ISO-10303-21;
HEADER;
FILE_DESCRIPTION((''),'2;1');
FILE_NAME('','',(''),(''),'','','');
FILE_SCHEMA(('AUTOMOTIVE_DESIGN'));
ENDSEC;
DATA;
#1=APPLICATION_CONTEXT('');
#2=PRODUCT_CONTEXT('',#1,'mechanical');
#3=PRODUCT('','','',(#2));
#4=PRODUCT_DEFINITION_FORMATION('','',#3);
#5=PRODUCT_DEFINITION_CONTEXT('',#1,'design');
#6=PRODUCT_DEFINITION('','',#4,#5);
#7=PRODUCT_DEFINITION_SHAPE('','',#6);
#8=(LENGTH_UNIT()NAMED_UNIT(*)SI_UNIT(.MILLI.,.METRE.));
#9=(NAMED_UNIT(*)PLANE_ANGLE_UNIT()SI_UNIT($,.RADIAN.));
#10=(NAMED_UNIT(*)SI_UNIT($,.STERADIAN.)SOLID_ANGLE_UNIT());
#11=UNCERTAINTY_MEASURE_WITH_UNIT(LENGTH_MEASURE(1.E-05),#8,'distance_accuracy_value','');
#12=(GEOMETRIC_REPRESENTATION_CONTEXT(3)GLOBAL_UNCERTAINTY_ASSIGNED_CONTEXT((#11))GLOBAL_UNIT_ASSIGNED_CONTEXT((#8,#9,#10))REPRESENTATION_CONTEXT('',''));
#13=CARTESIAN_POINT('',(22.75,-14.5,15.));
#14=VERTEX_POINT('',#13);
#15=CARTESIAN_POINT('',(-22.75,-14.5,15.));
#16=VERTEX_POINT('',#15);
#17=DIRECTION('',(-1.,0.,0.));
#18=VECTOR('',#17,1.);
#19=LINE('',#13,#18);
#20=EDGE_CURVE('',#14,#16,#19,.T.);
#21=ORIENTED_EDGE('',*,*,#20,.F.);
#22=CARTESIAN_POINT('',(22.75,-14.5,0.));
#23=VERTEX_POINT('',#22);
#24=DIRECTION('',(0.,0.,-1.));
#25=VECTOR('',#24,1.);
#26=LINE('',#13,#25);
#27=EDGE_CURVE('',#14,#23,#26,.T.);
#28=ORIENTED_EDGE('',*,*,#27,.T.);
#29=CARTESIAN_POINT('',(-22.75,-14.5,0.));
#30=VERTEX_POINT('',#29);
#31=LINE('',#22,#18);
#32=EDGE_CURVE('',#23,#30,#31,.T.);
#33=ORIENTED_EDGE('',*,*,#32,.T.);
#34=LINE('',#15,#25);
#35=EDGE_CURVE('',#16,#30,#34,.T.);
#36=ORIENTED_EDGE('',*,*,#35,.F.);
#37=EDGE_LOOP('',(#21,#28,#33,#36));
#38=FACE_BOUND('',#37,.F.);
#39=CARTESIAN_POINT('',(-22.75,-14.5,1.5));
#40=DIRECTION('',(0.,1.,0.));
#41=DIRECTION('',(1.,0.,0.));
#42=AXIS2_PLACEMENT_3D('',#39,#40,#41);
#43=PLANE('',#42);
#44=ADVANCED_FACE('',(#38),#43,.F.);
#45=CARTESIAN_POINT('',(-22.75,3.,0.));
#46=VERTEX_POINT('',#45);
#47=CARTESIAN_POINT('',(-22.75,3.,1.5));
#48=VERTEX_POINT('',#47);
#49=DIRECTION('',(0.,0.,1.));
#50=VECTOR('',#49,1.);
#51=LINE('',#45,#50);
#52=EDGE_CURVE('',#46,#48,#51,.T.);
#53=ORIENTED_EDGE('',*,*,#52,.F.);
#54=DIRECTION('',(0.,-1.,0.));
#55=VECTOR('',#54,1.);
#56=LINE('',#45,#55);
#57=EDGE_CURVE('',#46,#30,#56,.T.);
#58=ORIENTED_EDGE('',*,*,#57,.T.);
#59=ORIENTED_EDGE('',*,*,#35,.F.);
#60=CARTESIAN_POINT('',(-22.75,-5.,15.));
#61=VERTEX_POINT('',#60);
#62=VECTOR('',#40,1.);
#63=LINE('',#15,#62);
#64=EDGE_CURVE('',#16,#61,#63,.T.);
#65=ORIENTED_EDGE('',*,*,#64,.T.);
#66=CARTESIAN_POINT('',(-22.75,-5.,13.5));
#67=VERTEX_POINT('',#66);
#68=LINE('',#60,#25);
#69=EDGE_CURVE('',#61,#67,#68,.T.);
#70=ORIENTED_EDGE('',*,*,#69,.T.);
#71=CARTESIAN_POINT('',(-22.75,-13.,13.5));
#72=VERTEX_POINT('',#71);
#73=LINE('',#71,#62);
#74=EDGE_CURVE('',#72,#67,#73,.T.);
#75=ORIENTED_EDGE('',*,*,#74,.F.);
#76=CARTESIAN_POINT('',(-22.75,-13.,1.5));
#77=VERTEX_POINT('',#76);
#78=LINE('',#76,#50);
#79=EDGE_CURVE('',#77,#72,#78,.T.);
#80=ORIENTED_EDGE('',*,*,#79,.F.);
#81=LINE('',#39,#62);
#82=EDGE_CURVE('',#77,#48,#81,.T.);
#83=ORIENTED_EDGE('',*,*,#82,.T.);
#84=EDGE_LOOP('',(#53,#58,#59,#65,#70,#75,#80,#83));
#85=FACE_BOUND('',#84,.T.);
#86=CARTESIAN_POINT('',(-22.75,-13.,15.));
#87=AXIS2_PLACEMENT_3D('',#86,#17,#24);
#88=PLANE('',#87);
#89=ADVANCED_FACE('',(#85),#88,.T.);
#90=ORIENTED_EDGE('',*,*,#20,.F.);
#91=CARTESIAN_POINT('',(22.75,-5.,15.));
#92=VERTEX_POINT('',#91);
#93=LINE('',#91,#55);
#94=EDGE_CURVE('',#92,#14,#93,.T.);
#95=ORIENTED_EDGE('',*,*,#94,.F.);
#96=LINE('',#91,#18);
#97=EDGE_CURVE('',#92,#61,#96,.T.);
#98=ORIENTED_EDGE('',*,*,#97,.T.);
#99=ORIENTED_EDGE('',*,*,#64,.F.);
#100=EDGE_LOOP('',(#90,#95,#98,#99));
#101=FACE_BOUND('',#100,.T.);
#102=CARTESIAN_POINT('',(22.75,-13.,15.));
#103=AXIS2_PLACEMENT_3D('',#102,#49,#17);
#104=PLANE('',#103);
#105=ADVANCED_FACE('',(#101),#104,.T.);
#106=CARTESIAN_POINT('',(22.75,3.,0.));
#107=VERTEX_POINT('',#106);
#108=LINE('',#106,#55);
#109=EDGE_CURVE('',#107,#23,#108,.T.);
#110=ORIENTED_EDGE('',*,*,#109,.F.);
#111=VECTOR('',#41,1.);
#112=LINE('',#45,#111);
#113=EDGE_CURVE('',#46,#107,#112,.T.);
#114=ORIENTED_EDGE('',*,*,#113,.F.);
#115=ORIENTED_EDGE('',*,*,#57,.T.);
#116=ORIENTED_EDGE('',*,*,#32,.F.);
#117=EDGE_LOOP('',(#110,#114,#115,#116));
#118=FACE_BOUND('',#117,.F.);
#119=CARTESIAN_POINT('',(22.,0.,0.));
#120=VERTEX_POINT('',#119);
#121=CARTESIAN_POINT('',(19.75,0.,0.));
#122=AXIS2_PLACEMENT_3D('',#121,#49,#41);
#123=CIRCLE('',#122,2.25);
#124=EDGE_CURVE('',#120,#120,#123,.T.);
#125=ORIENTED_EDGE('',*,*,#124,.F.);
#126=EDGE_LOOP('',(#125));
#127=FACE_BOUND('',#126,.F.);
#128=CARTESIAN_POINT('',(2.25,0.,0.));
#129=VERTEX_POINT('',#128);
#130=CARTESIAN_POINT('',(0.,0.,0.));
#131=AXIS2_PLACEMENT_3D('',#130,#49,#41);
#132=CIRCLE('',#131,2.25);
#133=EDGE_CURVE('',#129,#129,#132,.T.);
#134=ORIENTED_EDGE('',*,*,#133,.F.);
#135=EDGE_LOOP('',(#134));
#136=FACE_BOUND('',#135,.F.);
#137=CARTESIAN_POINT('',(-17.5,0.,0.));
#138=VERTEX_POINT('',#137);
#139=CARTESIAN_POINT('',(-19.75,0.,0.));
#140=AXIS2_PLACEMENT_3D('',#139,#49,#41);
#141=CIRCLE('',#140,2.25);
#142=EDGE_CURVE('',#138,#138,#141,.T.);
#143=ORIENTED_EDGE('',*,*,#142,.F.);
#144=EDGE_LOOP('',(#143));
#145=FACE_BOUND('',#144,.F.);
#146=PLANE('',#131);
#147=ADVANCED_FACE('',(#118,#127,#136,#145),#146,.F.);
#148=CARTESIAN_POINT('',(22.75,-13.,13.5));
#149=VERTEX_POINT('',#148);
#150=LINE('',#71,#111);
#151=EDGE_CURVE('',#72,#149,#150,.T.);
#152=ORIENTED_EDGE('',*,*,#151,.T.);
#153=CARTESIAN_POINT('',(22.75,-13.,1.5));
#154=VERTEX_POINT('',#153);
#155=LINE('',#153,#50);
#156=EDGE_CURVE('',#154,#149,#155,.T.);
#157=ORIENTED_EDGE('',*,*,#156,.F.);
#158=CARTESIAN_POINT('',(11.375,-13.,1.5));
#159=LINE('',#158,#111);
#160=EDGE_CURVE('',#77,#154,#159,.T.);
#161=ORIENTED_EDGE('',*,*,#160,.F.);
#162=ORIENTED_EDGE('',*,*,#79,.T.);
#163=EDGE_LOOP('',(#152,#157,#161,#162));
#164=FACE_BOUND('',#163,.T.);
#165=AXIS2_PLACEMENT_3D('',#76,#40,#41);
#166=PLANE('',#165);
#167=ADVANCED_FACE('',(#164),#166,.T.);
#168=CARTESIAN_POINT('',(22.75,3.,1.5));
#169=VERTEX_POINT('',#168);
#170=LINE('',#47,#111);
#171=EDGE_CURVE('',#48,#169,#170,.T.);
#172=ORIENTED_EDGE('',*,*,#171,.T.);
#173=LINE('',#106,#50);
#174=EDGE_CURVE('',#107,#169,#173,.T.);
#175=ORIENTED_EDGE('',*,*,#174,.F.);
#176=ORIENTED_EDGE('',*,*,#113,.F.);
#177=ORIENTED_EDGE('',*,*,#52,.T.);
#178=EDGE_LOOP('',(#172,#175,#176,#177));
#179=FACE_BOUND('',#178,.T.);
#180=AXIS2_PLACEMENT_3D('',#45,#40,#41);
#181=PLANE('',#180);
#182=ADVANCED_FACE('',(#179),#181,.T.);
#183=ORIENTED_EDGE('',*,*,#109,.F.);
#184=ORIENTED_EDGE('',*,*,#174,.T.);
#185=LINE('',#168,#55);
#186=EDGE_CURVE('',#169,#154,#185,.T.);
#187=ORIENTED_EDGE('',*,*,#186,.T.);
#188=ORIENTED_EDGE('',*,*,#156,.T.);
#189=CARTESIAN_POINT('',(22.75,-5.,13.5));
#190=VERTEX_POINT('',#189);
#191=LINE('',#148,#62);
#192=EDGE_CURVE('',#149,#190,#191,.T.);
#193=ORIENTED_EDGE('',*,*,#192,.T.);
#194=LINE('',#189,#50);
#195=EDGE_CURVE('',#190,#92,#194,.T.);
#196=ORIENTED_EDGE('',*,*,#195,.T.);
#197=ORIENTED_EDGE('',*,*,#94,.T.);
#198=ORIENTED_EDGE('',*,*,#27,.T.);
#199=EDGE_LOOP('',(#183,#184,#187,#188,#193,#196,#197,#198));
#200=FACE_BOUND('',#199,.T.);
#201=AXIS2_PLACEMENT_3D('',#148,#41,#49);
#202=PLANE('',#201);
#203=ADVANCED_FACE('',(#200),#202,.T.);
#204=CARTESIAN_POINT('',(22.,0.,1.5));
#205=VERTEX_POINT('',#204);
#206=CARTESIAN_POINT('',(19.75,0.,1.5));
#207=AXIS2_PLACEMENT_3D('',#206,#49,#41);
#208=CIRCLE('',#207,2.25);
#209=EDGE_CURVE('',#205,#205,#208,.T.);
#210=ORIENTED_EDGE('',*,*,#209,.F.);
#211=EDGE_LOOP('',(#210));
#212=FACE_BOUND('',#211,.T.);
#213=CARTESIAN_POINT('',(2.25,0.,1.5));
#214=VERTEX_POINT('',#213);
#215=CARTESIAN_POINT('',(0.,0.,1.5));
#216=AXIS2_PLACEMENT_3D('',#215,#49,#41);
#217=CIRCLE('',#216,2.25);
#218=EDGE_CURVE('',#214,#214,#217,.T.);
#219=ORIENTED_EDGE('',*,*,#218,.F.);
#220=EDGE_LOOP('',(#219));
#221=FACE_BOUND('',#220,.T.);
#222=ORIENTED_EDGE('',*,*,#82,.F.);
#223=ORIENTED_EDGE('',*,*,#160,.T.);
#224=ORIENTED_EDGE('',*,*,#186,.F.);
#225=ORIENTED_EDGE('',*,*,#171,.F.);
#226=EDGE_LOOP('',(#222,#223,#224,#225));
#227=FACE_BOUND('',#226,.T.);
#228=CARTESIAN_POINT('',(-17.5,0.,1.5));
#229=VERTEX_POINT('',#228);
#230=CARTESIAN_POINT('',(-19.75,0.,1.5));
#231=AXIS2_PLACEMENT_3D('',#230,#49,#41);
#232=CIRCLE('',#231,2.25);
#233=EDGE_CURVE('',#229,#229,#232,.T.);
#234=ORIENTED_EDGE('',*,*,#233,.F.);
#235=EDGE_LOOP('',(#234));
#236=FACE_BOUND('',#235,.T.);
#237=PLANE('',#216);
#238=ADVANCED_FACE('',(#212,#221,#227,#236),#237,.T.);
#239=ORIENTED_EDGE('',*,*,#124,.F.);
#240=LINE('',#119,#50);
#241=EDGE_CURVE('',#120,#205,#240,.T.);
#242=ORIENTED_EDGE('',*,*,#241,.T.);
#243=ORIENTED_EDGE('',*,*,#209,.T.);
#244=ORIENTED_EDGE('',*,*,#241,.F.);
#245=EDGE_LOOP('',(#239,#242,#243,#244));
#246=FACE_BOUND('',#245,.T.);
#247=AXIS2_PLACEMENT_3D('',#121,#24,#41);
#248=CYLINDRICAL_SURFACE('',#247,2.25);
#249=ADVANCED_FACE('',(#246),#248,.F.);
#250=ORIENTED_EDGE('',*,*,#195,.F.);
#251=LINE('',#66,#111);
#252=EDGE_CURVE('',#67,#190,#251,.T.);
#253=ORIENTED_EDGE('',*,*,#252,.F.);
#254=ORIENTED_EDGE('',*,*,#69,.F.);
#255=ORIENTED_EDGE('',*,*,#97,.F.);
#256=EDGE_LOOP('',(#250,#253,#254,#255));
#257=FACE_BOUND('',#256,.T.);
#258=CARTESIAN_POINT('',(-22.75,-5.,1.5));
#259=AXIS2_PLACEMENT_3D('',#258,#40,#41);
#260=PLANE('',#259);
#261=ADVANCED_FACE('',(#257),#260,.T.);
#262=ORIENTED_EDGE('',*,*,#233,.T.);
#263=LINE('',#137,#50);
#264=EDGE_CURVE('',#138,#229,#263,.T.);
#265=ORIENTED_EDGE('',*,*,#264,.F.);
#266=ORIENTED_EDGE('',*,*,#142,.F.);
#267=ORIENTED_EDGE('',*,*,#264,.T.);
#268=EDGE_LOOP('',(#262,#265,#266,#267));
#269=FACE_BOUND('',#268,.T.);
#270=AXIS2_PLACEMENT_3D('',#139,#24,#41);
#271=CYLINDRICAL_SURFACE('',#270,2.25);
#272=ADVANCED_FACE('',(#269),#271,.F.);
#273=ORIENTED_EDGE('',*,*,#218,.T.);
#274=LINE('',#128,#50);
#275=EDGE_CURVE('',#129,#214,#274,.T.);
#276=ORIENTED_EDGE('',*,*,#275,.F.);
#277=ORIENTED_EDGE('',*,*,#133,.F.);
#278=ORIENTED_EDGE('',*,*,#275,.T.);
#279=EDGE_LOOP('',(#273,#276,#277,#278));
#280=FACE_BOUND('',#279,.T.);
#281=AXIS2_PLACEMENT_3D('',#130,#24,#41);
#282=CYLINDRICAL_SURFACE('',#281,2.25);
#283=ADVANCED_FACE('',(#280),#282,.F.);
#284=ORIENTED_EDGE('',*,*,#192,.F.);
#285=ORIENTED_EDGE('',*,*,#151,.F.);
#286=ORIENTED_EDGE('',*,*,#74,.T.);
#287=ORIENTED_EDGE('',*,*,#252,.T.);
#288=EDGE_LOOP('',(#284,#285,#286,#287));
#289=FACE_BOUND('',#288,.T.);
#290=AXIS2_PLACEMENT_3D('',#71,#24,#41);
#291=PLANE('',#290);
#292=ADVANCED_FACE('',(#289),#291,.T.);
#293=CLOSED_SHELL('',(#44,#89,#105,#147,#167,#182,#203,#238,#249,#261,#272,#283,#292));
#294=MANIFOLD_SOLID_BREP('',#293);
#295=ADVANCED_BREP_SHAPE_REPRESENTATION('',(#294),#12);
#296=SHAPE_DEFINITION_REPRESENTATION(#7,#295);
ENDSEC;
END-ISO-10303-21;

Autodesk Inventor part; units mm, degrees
ref_plane "YZ Plane" through (0, 0, 0) normal (1, 0, 0) x (0, 1, 0)
ref_plane "XZ Plane" through (0, 0, 0) normal (0, 1, 0) x (-1, 0, 0)
ref_plane "XY Plane" through (0, 0, 0) normal (0, 0, 1) x (1, 0, 0)
sketch "Sketch1" plane through (0, 0, 0) normal (0, 0, 1) x (1, 0, 0)
  circle A0 centre (0, 0) radius 2.25
  circle A1 centre (-19.75, 0) radius 2.25
  circle A2 centre (19.75, 0) radius 2.25
  line L0 (0, 13.6364) -> (0, -14.2241) construction
  line L1 (-36.2718, 0) -> (35.3009, 0) construction
  line L2 (-22.75, 3) -> (22.75, 3)
  line L3 (22.75, 3) -> (22.75, -3)
  line L4 (22.75, -3) -> (-22.75, -3)
  line L5 (-22.75, -3) -> (-22.75, 3)
  line L6 (-22.75, -3) -> (22.75, -3)
  line L7 (22.75, -3) -> (22.75, -13)
  line L8 (22.75, -13) -> (-22.75, -13)
  line L9 (-22.75, -13) -> (-22.75, -3)
  line L10 (-22.75, -13) -> (22.75, -13)
  line L11 (22.75, -13) -> (22.75, -14.5)
  line L12 (22.75, -14.5) -> (-22.75, -14.5)
  line L13 (-22.75, -14.5) -> (-22.75, -13)
  dimension "d0" = 4.5
  dimension "d1" = 4.5
  dimension "d2" = 4.5
  dimension "d5" = 3
  dimension "d6" = 3
  dimension "d7" = 3
  dimension "d8" = 3
  dimension "d9" = 10
  dimension "d10" = 1.5
  dimension "d20" = 22
  dimension "d21" = 22
extrude "Extrusion1" add sketch "Sketch1" along normal blind 1.5
extrude "Extrusion2" add sketch "Sketch1" along normal blind 13.5 contours L8 L11 L12 L13
sketch "Sketch2" plane through (-22.75, -13, 1.5) normal (0, 1, 0) x (1, 0, 0)
  line L0 (45.5, 0) -> (45.5, -12) projected
  line L1 (0, -12) -> (45.5, -12)
  line L2 (45.5, -12) -> (45.5, -13.5)
  line L3 (45.5, -13.5) -> (0, -13.5)
  line L4 (0, -13.5) -> (0, -12)
  point P0 (22.75, 1.5)
  dimension "d15" = 1.5
extrude "Extrusion3" add sketch "Sketch2" against normal blind 1.5
extrude "Extrusion4" add sketch "Sketch2" along normal blind 8
properties part number "TopClip"
